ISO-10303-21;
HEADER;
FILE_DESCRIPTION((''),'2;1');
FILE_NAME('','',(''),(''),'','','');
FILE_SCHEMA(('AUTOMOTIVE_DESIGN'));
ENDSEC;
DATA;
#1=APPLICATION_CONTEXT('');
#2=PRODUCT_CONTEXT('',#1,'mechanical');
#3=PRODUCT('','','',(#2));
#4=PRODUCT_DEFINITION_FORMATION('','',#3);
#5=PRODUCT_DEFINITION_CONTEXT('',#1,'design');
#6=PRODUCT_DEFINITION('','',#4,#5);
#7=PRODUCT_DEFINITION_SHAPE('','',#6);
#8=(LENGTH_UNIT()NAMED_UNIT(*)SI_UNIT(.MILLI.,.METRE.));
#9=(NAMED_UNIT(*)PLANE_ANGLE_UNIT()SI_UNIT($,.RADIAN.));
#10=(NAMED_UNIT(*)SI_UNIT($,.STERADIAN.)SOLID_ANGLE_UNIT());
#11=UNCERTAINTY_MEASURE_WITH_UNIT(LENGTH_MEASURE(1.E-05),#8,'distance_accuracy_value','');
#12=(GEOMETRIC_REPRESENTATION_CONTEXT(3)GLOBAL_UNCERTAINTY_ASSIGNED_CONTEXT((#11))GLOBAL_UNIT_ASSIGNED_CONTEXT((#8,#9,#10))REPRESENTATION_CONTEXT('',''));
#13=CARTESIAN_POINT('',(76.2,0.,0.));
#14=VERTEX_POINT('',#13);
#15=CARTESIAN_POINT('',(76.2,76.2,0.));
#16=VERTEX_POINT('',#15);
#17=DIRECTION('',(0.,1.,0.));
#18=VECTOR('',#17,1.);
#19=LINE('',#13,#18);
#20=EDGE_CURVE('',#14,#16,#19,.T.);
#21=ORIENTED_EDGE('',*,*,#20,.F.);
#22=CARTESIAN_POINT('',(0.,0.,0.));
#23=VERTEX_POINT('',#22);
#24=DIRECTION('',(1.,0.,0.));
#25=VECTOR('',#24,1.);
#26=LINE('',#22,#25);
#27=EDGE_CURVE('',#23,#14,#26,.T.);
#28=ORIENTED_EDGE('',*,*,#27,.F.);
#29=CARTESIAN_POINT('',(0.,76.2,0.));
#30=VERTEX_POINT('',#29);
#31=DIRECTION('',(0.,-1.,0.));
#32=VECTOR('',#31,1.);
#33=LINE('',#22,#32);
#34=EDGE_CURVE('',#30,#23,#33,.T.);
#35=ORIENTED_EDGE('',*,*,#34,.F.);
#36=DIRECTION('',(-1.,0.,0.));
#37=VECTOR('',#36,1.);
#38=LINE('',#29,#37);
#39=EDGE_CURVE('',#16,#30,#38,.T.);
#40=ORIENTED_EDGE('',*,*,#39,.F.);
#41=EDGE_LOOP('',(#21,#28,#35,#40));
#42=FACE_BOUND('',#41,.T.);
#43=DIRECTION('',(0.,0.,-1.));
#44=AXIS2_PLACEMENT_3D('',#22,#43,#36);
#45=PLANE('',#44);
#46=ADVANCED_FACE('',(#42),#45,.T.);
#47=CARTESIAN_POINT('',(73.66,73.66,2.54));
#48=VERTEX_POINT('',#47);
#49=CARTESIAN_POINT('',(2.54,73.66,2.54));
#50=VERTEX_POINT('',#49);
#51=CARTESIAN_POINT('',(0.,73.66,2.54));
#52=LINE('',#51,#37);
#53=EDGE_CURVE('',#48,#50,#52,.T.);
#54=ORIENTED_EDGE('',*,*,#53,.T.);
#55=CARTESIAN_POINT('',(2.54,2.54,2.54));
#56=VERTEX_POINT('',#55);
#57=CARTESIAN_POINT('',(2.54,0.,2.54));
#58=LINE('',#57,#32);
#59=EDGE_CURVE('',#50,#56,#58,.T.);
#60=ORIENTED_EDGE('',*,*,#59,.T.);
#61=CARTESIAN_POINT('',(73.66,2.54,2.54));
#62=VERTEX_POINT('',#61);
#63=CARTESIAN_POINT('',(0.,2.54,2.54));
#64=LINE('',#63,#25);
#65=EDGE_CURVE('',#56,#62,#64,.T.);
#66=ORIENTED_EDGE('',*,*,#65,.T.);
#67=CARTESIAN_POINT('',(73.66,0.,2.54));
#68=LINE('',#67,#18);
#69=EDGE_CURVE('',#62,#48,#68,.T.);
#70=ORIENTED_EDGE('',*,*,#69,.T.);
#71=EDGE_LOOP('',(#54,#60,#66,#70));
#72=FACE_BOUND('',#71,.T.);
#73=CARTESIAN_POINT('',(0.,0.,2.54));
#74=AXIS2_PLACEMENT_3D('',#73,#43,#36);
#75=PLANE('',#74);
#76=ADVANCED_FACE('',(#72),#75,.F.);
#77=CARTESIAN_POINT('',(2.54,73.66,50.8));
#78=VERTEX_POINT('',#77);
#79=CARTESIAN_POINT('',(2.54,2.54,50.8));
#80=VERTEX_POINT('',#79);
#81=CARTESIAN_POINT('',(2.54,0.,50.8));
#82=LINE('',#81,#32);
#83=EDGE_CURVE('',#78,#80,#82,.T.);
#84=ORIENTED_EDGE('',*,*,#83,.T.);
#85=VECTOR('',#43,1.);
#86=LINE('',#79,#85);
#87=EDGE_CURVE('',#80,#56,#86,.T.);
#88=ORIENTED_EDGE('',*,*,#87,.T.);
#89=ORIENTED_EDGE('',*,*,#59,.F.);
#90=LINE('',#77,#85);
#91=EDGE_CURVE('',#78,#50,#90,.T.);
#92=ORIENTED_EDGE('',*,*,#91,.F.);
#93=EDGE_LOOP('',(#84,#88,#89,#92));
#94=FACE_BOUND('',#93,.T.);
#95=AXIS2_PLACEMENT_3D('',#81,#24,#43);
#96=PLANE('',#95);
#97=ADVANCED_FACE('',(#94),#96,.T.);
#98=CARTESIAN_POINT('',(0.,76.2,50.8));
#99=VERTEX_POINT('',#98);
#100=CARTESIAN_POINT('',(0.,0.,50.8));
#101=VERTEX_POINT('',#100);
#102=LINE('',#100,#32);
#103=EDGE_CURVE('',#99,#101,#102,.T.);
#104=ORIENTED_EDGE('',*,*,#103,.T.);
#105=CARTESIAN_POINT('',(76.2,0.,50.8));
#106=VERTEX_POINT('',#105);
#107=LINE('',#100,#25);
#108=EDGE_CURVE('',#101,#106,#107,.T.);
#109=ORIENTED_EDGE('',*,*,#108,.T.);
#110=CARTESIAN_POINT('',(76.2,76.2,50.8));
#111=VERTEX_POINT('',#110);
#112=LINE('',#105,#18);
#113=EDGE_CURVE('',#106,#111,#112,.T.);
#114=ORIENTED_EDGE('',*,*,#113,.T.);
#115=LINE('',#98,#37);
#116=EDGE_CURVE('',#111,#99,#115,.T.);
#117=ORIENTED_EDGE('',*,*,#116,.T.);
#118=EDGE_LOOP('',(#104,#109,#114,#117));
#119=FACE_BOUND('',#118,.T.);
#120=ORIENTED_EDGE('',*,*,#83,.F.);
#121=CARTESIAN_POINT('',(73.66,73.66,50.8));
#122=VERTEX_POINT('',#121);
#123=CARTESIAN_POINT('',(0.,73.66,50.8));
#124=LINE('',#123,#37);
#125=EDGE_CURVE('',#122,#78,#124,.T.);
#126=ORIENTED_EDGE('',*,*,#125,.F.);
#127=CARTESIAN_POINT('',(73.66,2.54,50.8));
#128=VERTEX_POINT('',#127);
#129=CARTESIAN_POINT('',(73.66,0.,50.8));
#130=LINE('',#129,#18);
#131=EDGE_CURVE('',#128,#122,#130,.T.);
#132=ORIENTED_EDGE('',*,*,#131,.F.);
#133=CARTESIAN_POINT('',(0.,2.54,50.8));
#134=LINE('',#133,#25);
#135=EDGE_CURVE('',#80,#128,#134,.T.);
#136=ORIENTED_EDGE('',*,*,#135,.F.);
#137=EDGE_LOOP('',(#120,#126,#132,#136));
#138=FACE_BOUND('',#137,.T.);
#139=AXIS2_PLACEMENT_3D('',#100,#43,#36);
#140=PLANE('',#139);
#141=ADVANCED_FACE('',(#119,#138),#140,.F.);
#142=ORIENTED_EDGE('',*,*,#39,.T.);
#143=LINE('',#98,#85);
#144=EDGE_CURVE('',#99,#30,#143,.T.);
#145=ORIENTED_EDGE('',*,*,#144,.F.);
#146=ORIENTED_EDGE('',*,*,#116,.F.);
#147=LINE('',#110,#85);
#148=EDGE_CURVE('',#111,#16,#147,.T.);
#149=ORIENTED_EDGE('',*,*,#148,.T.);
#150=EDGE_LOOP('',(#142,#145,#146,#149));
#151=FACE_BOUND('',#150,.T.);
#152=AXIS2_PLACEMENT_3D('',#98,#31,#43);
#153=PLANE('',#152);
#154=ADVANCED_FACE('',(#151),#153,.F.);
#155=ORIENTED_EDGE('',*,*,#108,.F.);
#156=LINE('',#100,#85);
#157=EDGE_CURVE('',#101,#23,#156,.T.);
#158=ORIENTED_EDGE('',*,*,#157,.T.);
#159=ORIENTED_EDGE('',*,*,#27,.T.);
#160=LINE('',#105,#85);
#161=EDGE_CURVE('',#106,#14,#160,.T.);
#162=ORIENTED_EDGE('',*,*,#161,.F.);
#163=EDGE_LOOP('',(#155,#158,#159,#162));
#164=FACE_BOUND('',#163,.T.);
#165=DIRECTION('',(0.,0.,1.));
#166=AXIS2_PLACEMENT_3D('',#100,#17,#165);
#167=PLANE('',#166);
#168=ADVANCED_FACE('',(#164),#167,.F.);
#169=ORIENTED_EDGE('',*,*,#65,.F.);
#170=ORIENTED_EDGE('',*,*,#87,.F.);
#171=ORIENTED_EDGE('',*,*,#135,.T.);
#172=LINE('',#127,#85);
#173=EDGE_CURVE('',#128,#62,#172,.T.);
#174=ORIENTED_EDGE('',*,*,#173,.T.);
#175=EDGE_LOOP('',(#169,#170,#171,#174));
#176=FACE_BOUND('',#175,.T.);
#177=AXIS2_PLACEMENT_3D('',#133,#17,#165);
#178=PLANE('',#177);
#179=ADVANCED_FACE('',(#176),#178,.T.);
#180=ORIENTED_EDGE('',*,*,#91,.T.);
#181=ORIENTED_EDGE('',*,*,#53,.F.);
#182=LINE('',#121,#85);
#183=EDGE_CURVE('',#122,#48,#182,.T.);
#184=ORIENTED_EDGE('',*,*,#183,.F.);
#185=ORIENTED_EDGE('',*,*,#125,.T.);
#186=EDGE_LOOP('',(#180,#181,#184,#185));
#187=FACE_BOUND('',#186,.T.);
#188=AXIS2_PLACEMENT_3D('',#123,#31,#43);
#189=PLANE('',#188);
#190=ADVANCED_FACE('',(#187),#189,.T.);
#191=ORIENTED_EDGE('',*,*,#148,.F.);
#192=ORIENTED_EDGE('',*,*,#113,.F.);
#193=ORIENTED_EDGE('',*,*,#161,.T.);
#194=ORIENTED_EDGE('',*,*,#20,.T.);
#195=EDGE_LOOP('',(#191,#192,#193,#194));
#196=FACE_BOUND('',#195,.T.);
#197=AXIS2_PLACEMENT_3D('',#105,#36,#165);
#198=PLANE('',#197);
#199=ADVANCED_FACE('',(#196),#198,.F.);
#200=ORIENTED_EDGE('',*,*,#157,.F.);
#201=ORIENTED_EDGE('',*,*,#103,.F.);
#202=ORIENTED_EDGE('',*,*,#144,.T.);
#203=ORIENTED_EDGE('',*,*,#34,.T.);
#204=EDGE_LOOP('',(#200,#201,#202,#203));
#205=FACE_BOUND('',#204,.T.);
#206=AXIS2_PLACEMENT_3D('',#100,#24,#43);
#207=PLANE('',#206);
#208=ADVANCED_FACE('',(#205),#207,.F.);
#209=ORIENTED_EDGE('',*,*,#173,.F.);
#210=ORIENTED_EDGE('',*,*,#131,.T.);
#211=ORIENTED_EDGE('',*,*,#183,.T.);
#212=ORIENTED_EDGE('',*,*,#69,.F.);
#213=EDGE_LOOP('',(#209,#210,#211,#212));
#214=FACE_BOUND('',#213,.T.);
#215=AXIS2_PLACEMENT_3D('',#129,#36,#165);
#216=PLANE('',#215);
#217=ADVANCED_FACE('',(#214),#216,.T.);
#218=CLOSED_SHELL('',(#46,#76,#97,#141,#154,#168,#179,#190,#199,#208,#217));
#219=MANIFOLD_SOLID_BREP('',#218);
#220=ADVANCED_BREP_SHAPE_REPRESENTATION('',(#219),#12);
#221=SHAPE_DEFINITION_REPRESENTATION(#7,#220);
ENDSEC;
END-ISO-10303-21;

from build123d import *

# Parameters (mm, degrees)
SKETCH2_W           = 76.2
SKETCH2_H           = 76.2
BOSS_EXTRUDE1_DEPTH = 50.8
SHELL1_T            = -2.54


with BuildPart() as part:
    # Sketch2 → Boss-Extrude1 (new body)
    with BuildSketch(Plane.XY):
        with Locations((38.1, 38.1)):
            Rectangle(SKETCH2_W, SKETCH2_H)
    extrude(amount=BOSS_EXTRUDE1_DEPTH)

    # Shell1
    shell1_openings = [part.faces().sort_by_distance(p)[0] for p in [
        (38.1, 38.1, 50.8),
    ]]
    offset(amount=SHELL1_T, openings=shell1_openings, kind=Kind.INTERSECTION)


solid = part.part
